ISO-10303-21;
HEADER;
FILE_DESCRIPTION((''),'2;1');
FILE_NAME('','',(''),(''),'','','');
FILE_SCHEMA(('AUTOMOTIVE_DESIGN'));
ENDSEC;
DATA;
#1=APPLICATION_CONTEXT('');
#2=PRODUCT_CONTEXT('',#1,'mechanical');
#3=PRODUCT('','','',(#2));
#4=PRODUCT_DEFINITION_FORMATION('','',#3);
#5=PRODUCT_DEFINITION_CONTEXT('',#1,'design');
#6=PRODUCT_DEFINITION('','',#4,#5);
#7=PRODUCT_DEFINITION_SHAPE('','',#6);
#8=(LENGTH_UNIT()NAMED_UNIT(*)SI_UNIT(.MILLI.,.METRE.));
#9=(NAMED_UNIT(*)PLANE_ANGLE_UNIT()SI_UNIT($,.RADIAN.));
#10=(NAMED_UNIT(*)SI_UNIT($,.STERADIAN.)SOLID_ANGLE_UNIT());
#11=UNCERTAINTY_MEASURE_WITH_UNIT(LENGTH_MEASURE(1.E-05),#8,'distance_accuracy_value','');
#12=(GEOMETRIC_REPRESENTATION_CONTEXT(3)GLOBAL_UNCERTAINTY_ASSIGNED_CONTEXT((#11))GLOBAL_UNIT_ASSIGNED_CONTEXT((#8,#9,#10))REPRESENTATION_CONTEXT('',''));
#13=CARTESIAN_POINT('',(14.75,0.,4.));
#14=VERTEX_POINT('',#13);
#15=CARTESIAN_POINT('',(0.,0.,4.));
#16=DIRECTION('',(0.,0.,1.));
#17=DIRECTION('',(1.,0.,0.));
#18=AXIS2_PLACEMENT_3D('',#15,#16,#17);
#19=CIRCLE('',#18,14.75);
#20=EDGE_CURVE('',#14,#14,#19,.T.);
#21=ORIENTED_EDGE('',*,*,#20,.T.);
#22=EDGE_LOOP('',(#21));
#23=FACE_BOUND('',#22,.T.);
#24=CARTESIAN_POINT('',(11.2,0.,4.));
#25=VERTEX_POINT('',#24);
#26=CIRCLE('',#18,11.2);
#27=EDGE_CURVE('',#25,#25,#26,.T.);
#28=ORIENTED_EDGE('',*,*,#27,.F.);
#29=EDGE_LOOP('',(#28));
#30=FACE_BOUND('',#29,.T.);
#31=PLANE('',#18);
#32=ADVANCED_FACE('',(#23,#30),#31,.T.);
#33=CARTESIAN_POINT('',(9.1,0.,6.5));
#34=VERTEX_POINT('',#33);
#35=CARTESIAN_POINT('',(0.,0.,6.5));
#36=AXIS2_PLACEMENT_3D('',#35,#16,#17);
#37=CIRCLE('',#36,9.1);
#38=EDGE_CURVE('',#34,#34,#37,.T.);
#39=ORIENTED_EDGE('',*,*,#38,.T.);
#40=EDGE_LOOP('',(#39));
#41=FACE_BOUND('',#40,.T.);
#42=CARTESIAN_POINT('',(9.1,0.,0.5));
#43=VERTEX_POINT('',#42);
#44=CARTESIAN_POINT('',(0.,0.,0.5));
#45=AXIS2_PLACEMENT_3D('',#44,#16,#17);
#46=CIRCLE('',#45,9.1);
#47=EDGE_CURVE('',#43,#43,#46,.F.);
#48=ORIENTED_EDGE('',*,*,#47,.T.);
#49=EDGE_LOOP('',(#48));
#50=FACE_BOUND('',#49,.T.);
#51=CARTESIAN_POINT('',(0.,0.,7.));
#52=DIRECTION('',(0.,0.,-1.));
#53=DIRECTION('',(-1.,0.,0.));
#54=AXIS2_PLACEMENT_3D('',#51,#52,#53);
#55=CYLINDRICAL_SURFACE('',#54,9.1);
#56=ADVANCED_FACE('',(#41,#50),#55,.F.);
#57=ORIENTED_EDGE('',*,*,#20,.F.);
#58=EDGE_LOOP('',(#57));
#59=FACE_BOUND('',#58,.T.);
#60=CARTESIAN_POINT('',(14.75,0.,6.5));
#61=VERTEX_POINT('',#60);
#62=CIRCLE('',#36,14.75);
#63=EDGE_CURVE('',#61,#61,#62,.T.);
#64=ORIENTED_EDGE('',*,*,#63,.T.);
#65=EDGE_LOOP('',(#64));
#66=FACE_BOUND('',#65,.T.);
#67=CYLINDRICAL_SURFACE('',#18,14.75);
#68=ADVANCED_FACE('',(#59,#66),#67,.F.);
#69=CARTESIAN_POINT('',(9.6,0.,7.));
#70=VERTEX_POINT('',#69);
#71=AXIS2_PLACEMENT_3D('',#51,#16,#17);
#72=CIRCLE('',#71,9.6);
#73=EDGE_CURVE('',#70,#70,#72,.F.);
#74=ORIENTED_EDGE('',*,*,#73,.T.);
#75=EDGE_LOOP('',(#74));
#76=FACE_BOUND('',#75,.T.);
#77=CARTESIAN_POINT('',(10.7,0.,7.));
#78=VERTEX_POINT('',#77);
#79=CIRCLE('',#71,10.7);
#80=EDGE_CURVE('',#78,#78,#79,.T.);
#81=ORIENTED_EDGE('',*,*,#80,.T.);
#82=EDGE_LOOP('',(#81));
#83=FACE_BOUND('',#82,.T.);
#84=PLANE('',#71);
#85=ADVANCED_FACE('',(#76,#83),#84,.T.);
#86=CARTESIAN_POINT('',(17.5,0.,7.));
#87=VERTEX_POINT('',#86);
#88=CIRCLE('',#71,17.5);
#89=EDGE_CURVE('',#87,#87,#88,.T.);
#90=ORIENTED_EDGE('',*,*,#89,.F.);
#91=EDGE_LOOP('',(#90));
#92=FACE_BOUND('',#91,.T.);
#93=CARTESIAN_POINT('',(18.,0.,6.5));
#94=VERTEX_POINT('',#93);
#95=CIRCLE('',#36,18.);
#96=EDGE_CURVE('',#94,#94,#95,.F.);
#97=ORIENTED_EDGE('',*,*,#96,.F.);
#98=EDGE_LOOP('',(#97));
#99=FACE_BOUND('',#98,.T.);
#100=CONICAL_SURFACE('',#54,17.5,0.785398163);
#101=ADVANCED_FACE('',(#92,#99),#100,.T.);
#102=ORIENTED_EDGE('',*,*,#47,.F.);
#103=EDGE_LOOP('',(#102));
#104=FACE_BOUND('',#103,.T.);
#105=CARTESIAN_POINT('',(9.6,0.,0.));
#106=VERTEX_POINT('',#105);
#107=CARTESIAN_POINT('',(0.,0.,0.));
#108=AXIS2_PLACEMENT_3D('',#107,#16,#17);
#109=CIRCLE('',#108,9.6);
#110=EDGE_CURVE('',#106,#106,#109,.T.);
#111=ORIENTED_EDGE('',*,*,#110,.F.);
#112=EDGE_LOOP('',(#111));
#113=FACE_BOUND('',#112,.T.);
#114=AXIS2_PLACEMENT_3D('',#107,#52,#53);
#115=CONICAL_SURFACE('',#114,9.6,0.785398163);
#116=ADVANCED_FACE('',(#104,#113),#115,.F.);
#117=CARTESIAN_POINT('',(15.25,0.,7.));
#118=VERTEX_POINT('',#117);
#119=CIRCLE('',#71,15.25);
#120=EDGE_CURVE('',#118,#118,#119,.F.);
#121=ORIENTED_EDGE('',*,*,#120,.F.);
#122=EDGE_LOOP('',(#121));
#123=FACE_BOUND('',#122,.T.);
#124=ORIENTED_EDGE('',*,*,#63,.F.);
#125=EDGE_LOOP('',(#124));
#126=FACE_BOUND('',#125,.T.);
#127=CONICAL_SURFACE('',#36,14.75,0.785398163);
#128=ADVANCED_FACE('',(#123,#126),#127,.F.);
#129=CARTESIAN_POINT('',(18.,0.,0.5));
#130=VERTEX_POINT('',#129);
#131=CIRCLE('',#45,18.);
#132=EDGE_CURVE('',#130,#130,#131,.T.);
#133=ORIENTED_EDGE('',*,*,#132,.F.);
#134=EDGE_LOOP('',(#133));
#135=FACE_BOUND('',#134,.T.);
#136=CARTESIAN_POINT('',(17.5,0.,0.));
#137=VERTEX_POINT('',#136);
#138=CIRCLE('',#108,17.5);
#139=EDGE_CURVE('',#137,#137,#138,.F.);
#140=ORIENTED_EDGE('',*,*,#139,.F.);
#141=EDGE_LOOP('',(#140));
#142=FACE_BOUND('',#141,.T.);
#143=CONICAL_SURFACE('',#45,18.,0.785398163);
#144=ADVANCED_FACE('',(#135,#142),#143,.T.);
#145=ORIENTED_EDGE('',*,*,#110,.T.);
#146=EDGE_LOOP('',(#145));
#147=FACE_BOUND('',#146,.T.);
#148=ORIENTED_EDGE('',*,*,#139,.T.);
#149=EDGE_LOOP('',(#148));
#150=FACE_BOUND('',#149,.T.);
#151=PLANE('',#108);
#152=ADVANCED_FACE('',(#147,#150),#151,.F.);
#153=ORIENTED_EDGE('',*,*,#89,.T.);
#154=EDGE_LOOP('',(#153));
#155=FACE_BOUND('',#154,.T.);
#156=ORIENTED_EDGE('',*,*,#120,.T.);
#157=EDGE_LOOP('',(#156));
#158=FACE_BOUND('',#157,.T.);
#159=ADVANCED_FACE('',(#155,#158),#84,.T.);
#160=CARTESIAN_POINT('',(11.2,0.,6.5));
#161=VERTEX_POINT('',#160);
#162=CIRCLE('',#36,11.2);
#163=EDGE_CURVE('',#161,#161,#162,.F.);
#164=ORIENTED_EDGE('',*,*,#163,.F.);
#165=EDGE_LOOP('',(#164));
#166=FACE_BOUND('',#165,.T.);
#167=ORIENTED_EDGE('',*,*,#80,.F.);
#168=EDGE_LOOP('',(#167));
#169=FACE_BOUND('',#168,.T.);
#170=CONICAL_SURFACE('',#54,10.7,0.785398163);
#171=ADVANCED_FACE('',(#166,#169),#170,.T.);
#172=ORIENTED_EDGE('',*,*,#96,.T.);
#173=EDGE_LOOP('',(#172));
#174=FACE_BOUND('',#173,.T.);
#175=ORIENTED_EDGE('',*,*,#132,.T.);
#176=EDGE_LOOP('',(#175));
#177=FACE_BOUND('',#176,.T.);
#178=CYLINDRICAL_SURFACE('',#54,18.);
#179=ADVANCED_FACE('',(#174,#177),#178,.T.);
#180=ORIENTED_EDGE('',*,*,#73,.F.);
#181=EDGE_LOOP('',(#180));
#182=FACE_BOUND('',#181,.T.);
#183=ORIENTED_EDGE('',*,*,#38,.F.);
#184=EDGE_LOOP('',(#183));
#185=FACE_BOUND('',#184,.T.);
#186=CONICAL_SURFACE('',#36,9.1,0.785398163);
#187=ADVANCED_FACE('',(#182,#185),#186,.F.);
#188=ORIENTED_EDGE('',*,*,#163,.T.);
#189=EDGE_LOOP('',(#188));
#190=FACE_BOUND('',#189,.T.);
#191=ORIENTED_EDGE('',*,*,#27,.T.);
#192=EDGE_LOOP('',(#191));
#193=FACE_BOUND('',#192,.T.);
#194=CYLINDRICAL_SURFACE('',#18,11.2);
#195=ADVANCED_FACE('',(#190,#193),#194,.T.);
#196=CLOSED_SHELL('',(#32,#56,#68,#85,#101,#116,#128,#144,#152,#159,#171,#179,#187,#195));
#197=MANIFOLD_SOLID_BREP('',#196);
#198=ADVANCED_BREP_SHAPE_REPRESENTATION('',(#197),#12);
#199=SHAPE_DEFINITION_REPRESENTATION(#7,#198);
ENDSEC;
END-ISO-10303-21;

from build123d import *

# Parameters (mm, degrees)
CROQUIS1_R              = 18
CROQUIS1_R_2            = 9.1
SALIENTE_EXTRUIR1_DEPTH = 7
CROQUIS2_R              = 14.75
CROQUIS2_R_2            = 11.2
CORTAR_EXTRUIR1_DEPTH   = 3
CHAFL_N1_SIZE           = 0.5


with BuildPart() as part:
    # Croquis1 → Saliente-Extruir1 (new body)
    with BuildSketch(Plane.XY):
        Circle(CROQUIS1_R)
        Circle(CROQUIS1_R_2, mode=Mode.SUBTRACT)
    extrude(amount=SALIENTE_EXTRUIR1_DEPTH)

    # Croquis2 → Cortar-Extruir1 (cut)
    with BuildSketch(Plane.XY.offset(7)):
        Circle(CROQUIS2_R)
        Circle(CROQUIS2_R_2, mode=Mode.SUBTRACT)
    extrude(amount=-CORTAR_EXTRUIR1_DEPTH, mode=Mode.SUBTRACT)

    # Chaflán1
    chafl_n1_edges = [part.edges().sort_by_distance(p)[0] for p in [
        (-14.75, 0, 7),
        (-11.2, 0, 7),
        (-18, 0, 0),
        (-18, 0, 7),
        (-9.1, 0, 0),
        (-9.1, 0, 7),
    ]]
    chamfer(chafl_n1_edges, length=CHAFL_N1_SIZE)


solid = part.part
